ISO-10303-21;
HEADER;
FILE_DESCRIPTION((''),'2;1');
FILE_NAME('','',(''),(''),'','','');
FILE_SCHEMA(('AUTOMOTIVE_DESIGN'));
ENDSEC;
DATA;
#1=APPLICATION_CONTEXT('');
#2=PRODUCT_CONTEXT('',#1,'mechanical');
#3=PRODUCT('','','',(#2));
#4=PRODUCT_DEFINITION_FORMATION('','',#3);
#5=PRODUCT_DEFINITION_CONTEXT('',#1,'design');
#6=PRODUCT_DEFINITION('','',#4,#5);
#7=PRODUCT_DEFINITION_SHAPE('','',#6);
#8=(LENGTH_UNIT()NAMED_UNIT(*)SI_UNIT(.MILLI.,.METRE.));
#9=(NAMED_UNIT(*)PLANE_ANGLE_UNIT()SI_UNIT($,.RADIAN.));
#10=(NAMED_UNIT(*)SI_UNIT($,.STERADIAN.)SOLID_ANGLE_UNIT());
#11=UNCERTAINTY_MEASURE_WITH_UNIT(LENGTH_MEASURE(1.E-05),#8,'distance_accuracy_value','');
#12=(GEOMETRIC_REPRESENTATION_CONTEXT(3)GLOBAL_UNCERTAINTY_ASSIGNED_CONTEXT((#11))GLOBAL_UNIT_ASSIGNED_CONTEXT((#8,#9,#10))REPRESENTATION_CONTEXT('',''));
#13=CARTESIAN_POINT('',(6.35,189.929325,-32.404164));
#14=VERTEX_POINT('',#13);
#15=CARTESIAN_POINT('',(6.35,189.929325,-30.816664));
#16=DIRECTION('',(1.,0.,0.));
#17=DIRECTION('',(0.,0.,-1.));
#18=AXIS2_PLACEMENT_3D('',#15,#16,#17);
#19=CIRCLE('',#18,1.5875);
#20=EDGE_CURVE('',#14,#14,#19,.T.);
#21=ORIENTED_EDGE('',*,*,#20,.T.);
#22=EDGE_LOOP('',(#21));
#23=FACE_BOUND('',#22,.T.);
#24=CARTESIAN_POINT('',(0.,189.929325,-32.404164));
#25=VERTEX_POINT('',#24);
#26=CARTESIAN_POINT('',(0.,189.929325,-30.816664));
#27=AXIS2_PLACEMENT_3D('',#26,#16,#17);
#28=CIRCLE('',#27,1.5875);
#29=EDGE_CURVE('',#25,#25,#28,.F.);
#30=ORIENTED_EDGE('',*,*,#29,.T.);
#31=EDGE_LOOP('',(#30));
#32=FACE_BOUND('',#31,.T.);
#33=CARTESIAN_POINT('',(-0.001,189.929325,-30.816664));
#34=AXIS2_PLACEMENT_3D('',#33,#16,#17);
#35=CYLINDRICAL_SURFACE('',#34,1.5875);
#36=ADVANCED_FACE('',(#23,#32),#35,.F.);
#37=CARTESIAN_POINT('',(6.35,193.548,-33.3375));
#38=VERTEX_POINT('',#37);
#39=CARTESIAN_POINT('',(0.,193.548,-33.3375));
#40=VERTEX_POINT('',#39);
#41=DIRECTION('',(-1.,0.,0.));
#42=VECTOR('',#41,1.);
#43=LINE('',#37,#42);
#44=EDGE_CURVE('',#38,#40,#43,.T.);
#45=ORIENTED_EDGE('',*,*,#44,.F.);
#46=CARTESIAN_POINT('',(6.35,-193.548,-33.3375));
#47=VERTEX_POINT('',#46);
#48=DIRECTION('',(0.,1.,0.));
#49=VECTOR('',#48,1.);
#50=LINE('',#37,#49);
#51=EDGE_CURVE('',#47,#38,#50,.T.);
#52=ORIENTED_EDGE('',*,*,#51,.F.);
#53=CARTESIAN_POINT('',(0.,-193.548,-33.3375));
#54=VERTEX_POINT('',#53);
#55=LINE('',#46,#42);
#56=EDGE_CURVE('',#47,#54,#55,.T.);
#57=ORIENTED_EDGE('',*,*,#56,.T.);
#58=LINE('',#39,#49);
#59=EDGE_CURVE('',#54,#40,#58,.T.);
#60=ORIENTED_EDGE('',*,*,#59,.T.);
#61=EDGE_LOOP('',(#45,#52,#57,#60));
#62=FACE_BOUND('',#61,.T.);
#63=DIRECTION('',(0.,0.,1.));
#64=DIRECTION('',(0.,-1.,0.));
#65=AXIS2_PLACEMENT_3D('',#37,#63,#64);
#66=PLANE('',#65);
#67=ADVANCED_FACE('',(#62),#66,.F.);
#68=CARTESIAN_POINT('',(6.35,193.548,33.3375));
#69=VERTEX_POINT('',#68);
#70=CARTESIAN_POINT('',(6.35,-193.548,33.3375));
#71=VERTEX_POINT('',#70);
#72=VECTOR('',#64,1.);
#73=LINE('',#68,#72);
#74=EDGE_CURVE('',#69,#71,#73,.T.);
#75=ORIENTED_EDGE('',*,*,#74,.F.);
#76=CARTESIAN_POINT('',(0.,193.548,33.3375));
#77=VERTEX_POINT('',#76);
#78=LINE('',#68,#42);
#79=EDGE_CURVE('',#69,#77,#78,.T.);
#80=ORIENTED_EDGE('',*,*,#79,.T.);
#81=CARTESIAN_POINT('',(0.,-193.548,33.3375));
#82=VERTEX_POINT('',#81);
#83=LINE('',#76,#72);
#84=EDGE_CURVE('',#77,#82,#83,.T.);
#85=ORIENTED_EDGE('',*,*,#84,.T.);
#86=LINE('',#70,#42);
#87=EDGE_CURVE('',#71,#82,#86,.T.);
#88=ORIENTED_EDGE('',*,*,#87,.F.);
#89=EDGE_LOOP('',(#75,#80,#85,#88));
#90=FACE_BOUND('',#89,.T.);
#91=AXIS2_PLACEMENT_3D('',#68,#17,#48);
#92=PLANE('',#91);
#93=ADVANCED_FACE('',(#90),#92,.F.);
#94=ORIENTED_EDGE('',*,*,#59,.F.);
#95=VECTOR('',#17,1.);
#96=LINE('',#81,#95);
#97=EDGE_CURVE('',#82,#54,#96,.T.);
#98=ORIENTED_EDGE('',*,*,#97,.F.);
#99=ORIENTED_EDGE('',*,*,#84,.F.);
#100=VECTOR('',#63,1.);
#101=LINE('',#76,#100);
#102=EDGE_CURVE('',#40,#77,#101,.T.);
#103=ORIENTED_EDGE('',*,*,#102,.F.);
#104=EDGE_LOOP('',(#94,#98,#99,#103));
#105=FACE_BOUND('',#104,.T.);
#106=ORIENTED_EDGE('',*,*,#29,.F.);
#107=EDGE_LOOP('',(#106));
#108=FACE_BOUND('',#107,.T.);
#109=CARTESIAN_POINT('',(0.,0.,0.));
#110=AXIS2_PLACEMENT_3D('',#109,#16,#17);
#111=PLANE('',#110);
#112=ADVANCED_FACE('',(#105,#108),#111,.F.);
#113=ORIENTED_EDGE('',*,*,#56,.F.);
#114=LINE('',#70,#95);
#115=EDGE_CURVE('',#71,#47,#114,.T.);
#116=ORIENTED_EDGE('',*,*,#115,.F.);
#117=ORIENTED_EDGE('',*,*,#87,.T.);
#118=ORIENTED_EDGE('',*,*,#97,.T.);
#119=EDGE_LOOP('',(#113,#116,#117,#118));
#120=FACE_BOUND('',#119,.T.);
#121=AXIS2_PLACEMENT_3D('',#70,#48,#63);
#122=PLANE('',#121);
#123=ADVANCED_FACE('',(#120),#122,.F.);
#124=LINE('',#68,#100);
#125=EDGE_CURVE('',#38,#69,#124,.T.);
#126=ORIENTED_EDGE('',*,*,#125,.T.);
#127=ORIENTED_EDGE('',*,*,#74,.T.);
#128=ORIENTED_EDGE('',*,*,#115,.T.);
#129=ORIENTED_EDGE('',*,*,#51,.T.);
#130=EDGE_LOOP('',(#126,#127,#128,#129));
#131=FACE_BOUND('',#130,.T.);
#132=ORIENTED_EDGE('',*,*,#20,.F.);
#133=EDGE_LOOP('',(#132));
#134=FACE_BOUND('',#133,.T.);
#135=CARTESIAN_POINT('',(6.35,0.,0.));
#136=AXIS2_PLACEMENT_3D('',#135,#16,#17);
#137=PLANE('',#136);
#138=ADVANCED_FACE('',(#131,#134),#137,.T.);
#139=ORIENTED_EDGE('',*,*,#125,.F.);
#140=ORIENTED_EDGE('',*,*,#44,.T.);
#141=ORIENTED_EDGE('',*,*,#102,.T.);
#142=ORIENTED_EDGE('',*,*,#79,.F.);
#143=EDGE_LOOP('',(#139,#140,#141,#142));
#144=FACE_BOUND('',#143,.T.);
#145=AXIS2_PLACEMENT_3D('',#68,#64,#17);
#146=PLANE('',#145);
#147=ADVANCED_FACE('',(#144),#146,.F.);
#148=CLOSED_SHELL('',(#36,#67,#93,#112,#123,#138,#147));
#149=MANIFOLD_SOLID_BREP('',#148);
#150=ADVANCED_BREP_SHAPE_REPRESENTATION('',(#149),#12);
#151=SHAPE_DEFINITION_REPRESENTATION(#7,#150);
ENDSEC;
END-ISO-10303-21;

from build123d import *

# Parameters (mm, degrees)
SKETCH1_W           = 66.675
SKETCH1_H           = 387.096
BOSS_EXTRUDE1_DEPTH = 6.35
CUT_EXTRUDE1_REACH  = 198.501
SKETCH2_R           = 1.5875


with BuildPart() as part:
    # Sketch1 → Boss-Extrude1 (new body)
    with BuildSketch(Plane(origin=(0, 0, 0), x_dir=(0, 0, -1), z_dir=(1, 0, 0))):
        Rectangle(SKETCH1_W, SKETCH1_H)
    extrude(amount=BOSS_EXTRUDE1_DEPTH)

    # Sketch2 → Cut-Extrude1 (cut, up to next)
    with BuildSketch(Plane(origin=(6.35, 0, 0), x_dir=(0, 0, -1), z_dir=(1, 0, 0)), mode=Mode.PRIVATE) as cut_extrude1_sk1:
        with Locations((30.816663564, 189.929324987)):
            Circle(SKETCH2_R)
    cut_extrude1_tool1 = extrude(cut_extrude1_sk1.sketch, amount=-CUT_EXTRUDE1_REACH, mode=Mode.PRIVATE) & part.part
    add(cut_extrude1_tool1.solids().sort_by_distance((6.35, 189.929325, -30.816664))[0], mode=Mode.SUBTRACT)


solid = part.part
